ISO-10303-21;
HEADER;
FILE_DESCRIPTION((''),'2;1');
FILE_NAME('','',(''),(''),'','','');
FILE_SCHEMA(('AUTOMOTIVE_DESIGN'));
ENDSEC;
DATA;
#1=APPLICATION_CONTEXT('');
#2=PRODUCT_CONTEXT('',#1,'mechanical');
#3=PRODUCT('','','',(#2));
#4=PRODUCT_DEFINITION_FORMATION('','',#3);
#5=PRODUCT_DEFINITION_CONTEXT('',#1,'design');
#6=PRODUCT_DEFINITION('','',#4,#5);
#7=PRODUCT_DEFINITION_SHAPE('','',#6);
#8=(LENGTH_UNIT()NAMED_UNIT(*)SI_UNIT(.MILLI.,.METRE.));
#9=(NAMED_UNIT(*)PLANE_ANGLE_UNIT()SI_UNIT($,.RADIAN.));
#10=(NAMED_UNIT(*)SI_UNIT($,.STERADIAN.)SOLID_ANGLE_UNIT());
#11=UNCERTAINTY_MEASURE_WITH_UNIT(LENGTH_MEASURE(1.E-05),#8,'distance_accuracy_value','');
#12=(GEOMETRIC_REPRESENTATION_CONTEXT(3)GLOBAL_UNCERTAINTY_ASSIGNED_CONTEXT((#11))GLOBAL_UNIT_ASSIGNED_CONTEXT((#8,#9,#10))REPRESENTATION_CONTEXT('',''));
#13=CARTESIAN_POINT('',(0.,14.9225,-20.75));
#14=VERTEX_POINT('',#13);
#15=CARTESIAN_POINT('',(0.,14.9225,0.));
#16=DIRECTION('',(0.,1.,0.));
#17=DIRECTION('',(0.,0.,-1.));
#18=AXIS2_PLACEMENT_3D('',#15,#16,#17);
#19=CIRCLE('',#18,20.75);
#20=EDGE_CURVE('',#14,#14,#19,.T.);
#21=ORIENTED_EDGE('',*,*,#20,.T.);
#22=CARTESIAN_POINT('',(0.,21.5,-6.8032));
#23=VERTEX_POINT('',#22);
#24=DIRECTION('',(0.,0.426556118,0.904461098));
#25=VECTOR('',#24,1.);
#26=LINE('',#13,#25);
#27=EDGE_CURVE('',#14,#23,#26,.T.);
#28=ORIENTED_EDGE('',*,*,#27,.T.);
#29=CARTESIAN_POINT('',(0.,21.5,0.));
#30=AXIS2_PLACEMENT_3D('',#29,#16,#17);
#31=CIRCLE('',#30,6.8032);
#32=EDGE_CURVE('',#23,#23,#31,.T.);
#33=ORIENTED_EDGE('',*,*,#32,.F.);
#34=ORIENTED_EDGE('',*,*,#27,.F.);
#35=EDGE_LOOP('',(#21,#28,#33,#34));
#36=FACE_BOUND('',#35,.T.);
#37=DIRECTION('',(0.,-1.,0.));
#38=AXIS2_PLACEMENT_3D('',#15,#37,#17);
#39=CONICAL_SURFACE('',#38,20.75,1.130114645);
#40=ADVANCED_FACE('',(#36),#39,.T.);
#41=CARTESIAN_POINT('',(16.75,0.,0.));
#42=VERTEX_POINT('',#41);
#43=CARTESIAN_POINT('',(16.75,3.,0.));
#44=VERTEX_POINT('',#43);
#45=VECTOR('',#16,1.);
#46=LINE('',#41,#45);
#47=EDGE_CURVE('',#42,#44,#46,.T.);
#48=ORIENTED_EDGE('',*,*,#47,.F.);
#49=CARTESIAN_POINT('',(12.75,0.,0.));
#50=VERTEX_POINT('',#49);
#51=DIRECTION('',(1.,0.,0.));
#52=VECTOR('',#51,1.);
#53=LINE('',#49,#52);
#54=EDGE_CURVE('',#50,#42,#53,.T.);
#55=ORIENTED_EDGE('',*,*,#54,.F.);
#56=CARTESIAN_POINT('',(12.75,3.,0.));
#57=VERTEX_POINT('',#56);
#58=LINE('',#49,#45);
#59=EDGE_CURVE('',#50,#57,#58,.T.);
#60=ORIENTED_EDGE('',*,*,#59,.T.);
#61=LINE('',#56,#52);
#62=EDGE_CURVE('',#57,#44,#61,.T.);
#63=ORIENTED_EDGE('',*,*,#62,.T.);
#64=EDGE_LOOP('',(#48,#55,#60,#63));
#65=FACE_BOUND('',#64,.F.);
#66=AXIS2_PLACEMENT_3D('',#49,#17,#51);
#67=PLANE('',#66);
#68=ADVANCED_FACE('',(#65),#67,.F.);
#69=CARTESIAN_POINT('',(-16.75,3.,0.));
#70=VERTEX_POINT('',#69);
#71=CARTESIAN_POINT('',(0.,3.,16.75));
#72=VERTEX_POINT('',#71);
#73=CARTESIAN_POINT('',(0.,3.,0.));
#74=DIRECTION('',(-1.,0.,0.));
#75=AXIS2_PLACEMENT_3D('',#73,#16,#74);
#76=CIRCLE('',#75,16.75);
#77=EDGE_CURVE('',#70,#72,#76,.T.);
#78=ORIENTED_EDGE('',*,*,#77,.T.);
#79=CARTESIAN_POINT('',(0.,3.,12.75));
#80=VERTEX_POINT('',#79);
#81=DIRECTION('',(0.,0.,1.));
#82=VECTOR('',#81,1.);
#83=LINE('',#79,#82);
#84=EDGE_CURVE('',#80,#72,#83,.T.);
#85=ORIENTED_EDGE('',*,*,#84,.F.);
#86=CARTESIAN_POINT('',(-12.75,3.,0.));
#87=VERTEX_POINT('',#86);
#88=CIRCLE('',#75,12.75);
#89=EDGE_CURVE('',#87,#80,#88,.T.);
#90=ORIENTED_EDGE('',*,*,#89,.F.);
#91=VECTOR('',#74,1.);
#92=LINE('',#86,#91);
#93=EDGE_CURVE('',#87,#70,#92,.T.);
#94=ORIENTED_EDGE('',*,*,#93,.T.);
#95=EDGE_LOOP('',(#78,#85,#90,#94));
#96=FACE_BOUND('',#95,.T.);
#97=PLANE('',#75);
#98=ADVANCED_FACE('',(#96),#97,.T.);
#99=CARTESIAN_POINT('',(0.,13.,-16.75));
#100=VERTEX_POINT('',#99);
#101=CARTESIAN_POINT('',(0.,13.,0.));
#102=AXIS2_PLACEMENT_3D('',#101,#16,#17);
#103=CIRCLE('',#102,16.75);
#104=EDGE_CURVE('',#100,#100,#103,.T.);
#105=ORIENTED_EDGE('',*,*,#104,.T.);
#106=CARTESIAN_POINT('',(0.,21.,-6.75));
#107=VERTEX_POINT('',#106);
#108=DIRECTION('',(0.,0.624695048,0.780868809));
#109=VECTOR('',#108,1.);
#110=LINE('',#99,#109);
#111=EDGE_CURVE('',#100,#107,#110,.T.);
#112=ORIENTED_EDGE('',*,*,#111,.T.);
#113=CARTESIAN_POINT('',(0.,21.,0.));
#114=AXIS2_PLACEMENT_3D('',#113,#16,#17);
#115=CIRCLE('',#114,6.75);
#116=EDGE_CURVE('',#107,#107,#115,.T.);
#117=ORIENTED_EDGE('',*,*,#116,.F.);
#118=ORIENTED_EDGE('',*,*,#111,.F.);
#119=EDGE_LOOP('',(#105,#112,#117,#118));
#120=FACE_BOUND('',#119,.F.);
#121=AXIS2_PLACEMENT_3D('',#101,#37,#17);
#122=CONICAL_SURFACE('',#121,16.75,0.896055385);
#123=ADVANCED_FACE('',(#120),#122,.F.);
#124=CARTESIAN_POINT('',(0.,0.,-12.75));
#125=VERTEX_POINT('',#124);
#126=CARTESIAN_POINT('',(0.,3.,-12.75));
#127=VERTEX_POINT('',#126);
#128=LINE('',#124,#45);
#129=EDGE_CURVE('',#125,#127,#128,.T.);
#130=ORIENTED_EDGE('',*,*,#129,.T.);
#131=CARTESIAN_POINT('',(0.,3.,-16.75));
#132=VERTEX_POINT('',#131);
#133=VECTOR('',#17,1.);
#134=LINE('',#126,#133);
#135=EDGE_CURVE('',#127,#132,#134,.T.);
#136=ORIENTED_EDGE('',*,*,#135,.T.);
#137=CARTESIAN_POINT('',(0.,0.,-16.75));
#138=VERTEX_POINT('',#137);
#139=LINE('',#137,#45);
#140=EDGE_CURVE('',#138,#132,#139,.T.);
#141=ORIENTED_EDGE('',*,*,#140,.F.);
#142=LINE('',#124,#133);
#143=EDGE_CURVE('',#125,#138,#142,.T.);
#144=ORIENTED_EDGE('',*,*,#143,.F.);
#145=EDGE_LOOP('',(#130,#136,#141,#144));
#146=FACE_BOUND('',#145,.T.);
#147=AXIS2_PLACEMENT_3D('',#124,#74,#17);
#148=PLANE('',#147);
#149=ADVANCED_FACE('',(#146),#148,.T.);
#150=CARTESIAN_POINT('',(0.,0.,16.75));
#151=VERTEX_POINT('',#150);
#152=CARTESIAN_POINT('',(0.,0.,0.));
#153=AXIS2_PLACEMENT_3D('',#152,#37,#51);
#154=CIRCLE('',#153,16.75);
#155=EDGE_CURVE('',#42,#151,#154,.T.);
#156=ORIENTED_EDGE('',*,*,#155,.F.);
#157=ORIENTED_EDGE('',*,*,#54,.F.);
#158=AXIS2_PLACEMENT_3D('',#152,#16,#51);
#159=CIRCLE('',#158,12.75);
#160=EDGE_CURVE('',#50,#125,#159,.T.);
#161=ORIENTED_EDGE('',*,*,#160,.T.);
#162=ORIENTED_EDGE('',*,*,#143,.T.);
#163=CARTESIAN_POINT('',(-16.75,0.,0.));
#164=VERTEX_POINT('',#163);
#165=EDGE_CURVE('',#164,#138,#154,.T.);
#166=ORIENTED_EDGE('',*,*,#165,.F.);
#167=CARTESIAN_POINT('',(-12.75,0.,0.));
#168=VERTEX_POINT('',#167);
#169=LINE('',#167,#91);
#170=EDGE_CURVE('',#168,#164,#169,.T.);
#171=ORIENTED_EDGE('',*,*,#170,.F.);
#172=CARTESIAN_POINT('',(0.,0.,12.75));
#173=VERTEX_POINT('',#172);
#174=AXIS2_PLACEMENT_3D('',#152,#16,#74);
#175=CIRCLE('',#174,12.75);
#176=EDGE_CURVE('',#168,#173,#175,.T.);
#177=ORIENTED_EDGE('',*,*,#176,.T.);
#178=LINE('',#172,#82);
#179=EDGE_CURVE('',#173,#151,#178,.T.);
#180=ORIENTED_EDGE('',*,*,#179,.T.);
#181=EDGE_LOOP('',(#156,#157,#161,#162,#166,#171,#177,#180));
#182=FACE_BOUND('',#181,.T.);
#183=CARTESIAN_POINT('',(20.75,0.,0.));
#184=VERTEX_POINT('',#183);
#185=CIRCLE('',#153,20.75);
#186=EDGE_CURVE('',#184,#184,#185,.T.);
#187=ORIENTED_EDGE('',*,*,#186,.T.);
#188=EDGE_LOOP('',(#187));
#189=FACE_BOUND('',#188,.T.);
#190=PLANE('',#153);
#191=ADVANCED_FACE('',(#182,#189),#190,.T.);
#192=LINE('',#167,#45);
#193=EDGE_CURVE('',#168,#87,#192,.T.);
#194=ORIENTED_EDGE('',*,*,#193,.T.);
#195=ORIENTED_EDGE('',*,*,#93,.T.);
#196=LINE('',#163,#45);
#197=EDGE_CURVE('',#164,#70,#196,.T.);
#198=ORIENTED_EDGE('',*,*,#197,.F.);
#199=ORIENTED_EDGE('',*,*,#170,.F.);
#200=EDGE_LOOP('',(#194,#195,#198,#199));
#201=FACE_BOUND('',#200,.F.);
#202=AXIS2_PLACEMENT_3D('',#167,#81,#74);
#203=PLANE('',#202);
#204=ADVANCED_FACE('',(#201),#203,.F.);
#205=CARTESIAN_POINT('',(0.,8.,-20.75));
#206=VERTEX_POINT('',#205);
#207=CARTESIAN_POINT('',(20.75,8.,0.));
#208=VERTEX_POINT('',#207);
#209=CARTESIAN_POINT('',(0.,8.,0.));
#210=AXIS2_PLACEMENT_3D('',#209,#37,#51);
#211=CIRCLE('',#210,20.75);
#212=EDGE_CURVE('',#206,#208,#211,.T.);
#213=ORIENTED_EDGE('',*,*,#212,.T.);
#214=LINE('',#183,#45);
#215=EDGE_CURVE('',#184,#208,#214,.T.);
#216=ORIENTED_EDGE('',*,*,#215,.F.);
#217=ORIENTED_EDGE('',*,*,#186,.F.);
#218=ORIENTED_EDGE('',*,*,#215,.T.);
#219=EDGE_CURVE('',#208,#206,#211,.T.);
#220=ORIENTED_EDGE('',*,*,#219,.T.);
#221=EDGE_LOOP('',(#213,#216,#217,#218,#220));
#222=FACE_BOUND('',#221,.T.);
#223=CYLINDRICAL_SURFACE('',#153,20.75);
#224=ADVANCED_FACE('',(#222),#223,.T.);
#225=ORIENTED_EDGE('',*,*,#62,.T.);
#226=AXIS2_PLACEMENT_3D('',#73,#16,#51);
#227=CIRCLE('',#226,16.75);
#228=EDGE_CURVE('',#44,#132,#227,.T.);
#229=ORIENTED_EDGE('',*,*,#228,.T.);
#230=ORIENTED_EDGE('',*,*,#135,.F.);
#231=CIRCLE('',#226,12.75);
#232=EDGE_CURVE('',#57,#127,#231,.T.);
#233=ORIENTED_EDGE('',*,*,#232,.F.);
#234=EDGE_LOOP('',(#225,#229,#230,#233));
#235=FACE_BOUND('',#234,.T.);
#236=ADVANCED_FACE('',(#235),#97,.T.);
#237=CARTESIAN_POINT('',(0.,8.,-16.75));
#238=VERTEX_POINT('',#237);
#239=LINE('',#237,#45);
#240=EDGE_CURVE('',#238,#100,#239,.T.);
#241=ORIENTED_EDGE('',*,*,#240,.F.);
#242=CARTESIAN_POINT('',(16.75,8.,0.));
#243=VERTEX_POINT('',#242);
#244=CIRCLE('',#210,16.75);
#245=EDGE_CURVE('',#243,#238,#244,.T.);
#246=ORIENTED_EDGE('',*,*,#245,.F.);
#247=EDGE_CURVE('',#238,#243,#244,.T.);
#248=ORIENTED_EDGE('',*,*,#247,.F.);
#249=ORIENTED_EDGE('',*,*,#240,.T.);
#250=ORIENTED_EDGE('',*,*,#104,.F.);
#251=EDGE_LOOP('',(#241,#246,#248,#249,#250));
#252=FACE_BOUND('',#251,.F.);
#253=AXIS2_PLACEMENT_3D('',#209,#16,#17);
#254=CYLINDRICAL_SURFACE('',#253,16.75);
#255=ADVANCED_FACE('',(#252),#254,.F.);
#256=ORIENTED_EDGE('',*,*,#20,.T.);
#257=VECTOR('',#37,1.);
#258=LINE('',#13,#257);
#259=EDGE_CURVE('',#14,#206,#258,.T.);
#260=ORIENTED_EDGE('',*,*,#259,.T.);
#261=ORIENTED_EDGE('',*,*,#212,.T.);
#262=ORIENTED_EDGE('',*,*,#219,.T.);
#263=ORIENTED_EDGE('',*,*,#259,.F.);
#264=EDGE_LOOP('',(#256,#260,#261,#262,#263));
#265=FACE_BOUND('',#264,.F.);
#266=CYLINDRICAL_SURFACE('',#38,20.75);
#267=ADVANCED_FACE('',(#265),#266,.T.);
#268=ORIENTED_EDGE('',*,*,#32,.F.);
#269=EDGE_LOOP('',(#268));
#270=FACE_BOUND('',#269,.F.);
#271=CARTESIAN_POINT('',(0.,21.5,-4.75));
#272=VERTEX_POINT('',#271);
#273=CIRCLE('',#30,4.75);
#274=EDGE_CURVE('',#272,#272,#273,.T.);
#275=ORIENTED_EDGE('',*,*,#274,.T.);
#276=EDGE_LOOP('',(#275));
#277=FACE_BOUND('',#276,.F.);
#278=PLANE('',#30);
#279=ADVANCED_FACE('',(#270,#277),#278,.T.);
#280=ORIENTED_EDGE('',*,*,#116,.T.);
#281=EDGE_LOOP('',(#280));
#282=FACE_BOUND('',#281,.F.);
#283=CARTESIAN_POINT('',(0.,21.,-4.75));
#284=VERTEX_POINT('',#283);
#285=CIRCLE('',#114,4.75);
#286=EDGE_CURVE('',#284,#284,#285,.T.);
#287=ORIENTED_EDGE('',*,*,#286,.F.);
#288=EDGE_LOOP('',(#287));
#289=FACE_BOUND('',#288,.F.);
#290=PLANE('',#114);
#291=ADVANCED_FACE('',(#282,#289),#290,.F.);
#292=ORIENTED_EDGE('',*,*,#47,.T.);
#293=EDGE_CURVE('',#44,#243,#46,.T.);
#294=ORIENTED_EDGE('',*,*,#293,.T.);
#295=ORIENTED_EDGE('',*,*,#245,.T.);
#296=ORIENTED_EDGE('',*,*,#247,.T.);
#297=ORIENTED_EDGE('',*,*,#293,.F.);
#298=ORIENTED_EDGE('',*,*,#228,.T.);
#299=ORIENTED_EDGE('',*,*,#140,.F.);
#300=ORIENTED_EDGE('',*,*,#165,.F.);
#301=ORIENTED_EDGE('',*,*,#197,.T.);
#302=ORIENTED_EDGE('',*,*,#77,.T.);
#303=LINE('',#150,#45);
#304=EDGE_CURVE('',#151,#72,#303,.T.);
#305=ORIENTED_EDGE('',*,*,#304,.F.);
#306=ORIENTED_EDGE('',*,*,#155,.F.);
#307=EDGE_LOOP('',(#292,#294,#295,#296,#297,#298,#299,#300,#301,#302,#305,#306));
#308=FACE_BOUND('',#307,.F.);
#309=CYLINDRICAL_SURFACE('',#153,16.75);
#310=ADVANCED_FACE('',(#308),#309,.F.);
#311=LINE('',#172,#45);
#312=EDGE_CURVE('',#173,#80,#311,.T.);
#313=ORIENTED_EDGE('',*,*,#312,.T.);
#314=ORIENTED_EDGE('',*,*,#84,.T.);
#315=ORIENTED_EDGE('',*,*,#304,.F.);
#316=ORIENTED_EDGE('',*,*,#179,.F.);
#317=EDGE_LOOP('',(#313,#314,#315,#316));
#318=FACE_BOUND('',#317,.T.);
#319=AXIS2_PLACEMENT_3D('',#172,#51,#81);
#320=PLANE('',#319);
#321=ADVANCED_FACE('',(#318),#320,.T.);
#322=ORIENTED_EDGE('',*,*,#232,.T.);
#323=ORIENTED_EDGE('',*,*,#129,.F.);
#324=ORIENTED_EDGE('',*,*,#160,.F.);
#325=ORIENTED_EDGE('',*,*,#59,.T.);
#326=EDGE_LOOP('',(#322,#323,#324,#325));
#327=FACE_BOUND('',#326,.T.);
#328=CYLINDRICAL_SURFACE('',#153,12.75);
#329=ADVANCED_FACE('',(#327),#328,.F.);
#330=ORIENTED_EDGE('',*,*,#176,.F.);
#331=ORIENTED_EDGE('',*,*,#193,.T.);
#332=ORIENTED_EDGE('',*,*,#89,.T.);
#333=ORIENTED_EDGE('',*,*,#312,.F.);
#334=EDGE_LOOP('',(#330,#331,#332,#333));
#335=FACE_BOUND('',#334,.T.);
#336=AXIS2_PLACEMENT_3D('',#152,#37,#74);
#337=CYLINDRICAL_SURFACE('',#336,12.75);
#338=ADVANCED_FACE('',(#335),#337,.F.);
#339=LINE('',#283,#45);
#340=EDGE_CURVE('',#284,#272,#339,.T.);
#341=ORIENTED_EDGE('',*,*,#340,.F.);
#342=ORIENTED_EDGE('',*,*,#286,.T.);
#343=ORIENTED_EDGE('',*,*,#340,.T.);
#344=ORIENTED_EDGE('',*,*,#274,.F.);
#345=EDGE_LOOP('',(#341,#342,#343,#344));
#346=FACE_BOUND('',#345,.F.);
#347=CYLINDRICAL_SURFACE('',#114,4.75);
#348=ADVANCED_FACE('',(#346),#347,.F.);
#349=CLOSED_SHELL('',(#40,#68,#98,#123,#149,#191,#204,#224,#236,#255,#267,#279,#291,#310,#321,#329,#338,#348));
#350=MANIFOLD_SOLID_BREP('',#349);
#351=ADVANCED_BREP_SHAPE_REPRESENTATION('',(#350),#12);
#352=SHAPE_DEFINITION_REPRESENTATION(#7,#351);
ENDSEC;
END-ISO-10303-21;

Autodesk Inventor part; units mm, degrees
ref_plane "YZ Plane" through (0, 0, 0) normal (1, 0, 0) x (0, 1, 0)
ref_plane "XZ Plane" through (0, 0, 0) normal (0, 1, 0) x (-1, 0, 0)
ref_plane "XY Plane" through (0, 0, 0) normal (0, 0, 1) x (1, 0, 0)
sketch "Sketch1" plane through (0, 0, 0) normal (0, 1, 0) x (-1, 0, 0)
  line L0 (-12.75, 0) -> (-16.75, 0)
  line L1 (0, 12.75) -> (0, 16.75)
  line L2 (0, -12.75) -> (0, -16.75)
  line L3 (12.75, 0) -> (16.75, 0)
  arc A0 (-12.75, 0) -> (0, -12.75) centre (0, 0) ccw
  arc A1 (12.75, 0) -> (0, 12.75) centre (0, 0) ccw
  arc A2 (-16.75, 0) -> (0, -16.75) centre (0, 0) ccw
  arc A3 (16.75, 0) -> (0, 16.75) centre (0, 0) ccw
extrude "Extrusion1" add sketch "Sketch1" along normal blind 3
sketch "Sketch2" plane through (0, 0, 0) normal (0, -1, 0) x (1, 0, 0)
  circle A0 centre (0, 0) radius 16.75
  arc A1 (0, -16.75) -> (16.75, 0) centre (0, 0) ccw projected
  circle A2 centre (0, 0) radius 20.75
  arc A3 (0, -16.75) -> (16.75, 0) centre (0, 0) ccw projected
  dimension "d4" = 4
  dimension "d5" = 33.5
extrude "Extrusion2" add sketch "Sketch2" against normal blind 8
sketch "Sketch3" plane through (0, 0, 0) normal (1, 0, 0) x (0, 1, 0)
  line L0 (8, -20.75) -> (8, 20.75) projected
  line L1 (8, 16.75) -> (8, -16.75) projected
  line L2 (8, 16.75) -> (8, -16.75) projected
  line L3 (8, -16.75) -> (13, -16.75)
  line L4 (13, -16.75) -> (21, -6.75)
  line L5 (8, -20.75) -> (8, 20.75) projected
  line L6 (3, 0) -> (3, -12.75) projected
  line L7 (0, -12.75) -> (3, -12.75) projected
  line L8 (21, -6.75) -> (21, -4.75)
  line L9 (21.5, -4.75) -> (21.5, -6.8032)
  line L10 (14.9225, -20.75) -> (8, -20.75)
  line L11 (14.9225, -20.75) -> (21.5, -6.8032)
  line L12 (8, -16.75) -> (8, -20.75)
  line L13 (21, -4.75) -> (21.5, -4.75)
  line L14 (-4.3, 0) -> (25.8, 0) projected
  point P0 (0, 0)
  dimension "d8" = 5
  dimension "d9" = 8
  dimension "d10" = 6
  dimension "d11" = 2
  dimension "d12" = 0.5
revolve "Revolution1" add sketch "Sketch3" angle 360 about axis through (0, -10, 0) along (0, 1, 0)
properties part number "Parte superior"
